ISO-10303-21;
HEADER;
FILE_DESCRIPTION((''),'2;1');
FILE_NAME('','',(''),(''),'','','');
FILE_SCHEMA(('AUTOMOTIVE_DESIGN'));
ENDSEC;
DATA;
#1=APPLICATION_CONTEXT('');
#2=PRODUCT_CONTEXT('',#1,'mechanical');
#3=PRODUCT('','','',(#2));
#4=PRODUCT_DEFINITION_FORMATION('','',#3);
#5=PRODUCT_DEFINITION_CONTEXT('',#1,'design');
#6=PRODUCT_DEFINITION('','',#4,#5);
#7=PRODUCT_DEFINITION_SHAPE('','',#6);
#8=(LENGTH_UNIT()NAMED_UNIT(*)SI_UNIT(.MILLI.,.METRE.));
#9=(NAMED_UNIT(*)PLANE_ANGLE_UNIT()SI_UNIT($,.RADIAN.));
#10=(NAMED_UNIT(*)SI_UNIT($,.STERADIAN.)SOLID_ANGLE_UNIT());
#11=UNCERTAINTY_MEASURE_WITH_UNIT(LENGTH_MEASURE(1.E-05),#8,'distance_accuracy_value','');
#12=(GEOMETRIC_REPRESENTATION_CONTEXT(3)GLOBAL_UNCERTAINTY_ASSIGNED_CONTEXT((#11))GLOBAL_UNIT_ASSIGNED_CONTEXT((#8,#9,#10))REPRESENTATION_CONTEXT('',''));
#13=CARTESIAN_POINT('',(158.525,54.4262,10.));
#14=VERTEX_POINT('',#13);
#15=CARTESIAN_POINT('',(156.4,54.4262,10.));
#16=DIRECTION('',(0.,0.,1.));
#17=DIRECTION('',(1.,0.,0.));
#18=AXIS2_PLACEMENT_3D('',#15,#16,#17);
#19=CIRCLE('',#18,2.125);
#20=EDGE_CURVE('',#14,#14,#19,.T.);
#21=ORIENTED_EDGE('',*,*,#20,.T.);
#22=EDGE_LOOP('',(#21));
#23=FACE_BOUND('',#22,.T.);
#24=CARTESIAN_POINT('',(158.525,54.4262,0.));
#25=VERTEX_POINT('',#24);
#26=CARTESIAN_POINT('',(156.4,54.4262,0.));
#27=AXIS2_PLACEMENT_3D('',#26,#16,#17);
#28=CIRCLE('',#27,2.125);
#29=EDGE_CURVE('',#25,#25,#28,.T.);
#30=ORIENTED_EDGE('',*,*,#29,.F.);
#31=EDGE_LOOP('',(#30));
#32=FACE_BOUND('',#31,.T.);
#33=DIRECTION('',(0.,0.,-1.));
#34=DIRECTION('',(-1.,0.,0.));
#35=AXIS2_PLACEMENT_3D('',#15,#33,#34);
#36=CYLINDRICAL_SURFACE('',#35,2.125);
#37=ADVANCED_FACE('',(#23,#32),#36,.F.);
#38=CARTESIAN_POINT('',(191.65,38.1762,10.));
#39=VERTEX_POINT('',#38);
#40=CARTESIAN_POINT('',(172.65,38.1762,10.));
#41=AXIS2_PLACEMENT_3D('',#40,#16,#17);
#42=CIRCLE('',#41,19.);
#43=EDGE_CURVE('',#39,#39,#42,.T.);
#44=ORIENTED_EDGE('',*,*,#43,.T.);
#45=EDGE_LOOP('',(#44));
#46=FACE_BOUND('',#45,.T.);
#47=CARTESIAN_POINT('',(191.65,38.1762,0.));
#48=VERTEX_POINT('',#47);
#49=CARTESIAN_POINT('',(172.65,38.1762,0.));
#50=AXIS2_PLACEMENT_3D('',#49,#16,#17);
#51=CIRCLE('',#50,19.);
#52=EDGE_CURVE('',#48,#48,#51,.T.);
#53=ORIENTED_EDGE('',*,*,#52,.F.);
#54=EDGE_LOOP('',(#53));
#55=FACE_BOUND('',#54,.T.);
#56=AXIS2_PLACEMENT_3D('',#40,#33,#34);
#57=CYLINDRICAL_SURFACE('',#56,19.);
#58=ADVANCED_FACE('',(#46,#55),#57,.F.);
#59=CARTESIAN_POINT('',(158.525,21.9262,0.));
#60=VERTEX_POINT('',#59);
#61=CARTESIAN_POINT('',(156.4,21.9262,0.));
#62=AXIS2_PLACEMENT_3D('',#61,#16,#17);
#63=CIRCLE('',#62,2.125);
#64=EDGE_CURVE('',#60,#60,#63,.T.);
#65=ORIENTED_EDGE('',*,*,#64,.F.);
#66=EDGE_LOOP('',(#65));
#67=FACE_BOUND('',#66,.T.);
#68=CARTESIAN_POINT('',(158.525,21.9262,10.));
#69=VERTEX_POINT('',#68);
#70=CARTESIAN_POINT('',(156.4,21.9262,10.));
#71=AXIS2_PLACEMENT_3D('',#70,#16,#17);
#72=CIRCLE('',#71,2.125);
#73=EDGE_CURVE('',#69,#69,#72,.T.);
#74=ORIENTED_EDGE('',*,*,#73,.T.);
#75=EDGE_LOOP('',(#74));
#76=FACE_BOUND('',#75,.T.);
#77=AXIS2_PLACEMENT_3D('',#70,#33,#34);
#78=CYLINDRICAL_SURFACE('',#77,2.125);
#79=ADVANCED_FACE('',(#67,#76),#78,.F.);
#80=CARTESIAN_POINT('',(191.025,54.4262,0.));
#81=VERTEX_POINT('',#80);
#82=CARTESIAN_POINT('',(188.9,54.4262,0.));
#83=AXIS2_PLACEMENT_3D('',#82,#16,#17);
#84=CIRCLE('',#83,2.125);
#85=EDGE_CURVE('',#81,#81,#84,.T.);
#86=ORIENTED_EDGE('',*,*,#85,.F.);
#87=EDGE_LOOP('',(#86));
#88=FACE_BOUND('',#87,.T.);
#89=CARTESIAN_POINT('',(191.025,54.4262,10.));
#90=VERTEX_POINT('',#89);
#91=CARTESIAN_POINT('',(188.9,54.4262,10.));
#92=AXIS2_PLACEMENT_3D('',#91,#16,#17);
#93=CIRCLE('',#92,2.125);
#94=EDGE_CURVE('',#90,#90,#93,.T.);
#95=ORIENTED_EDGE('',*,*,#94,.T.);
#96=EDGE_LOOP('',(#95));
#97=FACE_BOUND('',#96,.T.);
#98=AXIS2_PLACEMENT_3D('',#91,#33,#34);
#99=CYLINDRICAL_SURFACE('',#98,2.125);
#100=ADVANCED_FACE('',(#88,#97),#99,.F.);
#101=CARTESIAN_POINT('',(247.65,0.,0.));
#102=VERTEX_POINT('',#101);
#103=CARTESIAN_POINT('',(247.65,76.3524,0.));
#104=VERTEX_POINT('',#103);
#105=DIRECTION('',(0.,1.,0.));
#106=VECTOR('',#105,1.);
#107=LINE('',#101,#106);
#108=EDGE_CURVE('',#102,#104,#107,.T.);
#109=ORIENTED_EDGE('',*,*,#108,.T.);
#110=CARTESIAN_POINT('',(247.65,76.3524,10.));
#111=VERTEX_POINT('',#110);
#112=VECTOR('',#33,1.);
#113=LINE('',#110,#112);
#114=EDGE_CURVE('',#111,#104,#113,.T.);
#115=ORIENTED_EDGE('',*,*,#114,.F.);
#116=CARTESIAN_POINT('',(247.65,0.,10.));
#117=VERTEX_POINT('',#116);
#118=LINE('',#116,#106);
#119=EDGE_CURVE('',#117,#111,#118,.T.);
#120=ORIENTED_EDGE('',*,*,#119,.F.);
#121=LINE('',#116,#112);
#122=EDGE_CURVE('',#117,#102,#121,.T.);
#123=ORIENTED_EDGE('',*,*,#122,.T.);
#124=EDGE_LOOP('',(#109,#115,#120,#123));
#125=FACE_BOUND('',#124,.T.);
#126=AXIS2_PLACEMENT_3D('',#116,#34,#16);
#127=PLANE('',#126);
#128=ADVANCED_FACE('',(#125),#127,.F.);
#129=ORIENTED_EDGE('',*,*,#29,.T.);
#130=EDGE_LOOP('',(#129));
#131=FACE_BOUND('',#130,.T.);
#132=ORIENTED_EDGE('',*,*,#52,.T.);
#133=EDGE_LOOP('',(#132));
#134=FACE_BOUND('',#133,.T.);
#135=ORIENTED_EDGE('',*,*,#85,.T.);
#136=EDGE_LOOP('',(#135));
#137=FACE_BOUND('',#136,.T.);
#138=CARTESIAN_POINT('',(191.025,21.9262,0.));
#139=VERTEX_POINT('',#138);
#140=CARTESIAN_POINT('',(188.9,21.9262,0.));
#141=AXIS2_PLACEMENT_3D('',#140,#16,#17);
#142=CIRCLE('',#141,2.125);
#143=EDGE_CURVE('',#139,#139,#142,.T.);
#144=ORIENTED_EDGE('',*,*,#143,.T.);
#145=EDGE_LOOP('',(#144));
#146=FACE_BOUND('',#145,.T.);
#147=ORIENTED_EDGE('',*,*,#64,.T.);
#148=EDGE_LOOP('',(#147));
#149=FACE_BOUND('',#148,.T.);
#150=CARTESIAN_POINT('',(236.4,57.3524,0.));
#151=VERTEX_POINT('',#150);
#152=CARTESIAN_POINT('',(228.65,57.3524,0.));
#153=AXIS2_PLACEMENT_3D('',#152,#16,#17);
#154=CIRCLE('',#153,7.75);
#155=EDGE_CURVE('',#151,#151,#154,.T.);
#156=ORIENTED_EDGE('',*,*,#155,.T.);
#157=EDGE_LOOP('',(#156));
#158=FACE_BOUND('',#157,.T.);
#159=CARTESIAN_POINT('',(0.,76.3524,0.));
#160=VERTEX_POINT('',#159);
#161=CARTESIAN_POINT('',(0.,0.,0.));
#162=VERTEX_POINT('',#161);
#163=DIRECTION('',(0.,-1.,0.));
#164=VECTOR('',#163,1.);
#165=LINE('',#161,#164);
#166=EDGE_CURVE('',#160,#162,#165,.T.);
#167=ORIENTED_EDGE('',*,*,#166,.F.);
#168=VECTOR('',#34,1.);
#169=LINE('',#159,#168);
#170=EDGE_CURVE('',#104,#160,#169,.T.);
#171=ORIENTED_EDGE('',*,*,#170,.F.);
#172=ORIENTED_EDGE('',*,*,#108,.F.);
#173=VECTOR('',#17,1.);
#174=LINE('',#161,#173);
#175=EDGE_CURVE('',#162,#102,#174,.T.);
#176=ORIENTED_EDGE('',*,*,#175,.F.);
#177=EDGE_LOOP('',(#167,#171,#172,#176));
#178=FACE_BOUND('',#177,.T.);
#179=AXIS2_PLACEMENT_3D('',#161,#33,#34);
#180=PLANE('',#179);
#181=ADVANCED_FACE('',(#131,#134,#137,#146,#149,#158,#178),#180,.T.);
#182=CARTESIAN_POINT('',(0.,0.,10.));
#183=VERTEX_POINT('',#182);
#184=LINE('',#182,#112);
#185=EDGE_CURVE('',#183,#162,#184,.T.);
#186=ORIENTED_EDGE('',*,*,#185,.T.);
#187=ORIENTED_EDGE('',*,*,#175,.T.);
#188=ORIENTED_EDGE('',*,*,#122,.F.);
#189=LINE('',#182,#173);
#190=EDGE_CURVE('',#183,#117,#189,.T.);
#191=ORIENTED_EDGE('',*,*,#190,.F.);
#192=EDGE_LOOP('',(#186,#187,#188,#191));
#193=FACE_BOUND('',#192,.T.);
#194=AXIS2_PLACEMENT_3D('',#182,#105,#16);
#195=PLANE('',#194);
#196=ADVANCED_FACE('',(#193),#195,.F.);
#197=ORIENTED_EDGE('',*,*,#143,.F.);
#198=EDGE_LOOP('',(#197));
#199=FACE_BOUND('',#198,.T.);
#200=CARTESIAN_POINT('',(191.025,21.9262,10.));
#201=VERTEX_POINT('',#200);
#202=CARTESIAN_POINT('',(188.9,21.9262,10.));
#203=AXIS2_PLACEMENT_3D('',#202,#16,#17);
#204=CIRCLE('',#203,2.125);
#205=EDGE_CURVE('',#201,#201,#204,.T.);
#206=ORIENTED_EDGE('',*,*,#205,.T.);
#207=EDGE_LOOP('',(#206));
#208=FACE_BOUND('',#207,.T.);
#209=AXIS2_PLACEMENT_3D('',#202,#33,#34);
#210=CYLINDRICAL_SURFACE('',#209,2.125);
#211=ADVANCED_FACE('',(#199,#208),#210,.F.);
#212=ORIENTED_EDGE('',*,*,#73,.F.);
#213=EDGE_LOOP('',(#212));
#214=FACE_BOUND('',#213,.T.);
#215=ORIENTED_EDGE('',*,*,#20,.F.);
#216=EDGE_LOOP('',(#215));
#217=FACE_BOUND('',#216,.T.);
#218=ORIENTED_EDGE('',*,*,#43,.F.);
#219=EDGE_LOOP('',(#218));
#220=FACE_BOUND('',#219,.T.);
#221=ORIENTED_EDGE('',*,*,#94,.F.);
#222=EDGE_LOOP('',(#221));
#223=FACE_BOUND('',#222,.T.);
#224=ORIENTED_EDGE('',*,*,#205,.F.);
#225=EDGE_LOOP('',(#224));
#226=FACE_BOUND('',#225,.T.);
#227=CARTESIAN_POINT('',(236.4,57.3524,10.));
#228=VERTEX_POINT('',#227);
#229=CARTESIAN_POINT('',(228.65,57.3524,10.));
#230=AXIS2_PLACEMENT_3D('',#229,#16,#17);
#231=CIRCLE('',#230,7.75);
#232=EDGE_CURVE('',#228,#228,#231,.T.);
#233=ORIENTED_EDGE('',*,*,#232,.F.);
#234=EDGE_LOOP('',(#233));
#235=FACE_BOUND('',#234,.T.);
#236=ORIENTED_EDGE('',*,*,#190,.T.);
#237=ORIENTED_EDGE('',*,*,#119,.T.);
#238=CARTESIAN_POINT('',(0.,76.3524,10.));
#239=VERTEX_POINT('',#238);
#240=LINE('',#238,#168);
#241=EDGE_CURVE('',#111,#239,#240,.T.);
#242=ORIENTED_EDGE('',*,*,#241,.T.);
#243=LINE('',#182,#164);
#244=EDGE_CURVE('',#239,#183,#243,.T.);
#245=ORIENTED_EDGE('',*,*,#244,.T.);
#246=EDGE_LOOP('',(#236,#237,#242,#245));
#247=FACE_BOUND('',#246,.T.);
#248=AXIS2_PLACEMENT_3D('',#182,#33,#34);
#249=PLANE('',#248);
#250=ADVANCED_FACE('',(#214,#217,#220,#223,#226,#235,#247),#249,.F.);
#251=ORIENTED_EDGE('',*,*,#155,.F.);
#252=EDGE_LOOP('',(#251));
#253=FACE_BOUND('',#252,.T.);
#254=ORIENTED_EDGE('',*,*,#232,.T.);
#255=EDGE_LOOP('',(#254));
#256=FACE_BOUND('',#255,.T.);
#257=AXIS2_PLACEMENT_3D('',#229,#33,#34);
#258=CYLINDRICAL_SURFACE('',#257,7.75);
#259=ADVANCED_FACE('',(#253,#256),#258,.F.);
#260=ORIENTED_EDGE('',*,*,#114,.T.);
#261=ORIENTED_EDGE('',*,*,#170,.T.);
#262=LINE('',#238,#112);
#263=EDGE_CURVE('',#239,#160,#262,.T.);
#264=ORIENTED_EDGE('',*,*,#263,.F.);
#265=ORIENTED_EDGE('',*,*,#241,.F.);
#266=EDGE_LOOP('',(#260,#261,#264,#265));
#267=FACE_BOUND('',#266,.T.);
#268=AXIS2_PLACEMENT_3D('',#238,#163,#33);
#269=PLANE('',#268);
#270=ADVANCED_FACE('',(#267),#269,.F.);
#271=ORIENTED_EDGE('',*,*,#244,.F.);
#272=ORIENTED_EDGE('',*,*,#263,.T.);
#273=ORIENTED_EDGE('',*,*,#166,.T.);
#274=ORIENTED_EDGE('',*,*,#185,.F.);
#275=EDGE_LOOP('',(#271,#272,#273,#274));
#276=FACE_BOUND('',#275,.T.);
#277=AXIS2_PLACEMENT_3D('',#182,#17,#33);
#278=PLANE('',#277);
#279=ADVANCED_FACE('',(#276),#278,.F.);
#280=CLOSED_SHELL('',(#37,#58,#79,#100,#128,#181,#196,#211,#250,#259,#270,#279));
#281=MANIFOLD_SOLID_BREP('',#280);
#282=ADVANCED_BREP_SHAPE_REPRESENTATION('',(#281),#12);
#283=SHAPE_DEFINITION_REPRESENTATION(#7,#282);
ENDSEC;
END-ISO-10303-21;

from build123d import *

# Parameters (mm, degrees)
SKETCH1_W           = 247.65
SKETCH1_H           = 76.3524
SKETCH1_R           = 19
SKETCH1_R_2         = 2.125
SKETCH1_R_3         = 7.75
BOSS_EXTRUDE1_DEPTH = 10


with BuildPart() as part:
    # Sketch1 → Boss-Extrude1 (new body)
    with BuildSketch(Plane.XY):
        with Locations((123.825, 38.1762)):
            Rectangle(SKETCH1_W, SKETCH1_H)
        with Locations((172.65, 38.1762)):
            Circle(SKETCH1_R, mode=Mode.SUBTRACT)
        with Locations((156.4, 54.4262)):
            Circle(SKETCH1_R_2, mode=Mode.SUBTRACT)
        with Locations((188.9, 54.4262)):
            Circle(SKETCH1_R_2, mode=Mode.SUBTRACT)
        with Locations((188.9, 21.9262)):
            Circle(SKETCH1_R_2, mode=Mode.SUBTRACT)
        with Locations((156.4, 21.9262)):
            Circle(SKETCH1_R_2, mode=Mode.SUBTRACT)
        with Locations((228.65, 57.3524)):
            Circle(SKETCH1_R_3, mode=Mode.SUBTRACT)
    extrude(amount=BOSS_EXTRUDE1_DEPTH)


solid = part.part
